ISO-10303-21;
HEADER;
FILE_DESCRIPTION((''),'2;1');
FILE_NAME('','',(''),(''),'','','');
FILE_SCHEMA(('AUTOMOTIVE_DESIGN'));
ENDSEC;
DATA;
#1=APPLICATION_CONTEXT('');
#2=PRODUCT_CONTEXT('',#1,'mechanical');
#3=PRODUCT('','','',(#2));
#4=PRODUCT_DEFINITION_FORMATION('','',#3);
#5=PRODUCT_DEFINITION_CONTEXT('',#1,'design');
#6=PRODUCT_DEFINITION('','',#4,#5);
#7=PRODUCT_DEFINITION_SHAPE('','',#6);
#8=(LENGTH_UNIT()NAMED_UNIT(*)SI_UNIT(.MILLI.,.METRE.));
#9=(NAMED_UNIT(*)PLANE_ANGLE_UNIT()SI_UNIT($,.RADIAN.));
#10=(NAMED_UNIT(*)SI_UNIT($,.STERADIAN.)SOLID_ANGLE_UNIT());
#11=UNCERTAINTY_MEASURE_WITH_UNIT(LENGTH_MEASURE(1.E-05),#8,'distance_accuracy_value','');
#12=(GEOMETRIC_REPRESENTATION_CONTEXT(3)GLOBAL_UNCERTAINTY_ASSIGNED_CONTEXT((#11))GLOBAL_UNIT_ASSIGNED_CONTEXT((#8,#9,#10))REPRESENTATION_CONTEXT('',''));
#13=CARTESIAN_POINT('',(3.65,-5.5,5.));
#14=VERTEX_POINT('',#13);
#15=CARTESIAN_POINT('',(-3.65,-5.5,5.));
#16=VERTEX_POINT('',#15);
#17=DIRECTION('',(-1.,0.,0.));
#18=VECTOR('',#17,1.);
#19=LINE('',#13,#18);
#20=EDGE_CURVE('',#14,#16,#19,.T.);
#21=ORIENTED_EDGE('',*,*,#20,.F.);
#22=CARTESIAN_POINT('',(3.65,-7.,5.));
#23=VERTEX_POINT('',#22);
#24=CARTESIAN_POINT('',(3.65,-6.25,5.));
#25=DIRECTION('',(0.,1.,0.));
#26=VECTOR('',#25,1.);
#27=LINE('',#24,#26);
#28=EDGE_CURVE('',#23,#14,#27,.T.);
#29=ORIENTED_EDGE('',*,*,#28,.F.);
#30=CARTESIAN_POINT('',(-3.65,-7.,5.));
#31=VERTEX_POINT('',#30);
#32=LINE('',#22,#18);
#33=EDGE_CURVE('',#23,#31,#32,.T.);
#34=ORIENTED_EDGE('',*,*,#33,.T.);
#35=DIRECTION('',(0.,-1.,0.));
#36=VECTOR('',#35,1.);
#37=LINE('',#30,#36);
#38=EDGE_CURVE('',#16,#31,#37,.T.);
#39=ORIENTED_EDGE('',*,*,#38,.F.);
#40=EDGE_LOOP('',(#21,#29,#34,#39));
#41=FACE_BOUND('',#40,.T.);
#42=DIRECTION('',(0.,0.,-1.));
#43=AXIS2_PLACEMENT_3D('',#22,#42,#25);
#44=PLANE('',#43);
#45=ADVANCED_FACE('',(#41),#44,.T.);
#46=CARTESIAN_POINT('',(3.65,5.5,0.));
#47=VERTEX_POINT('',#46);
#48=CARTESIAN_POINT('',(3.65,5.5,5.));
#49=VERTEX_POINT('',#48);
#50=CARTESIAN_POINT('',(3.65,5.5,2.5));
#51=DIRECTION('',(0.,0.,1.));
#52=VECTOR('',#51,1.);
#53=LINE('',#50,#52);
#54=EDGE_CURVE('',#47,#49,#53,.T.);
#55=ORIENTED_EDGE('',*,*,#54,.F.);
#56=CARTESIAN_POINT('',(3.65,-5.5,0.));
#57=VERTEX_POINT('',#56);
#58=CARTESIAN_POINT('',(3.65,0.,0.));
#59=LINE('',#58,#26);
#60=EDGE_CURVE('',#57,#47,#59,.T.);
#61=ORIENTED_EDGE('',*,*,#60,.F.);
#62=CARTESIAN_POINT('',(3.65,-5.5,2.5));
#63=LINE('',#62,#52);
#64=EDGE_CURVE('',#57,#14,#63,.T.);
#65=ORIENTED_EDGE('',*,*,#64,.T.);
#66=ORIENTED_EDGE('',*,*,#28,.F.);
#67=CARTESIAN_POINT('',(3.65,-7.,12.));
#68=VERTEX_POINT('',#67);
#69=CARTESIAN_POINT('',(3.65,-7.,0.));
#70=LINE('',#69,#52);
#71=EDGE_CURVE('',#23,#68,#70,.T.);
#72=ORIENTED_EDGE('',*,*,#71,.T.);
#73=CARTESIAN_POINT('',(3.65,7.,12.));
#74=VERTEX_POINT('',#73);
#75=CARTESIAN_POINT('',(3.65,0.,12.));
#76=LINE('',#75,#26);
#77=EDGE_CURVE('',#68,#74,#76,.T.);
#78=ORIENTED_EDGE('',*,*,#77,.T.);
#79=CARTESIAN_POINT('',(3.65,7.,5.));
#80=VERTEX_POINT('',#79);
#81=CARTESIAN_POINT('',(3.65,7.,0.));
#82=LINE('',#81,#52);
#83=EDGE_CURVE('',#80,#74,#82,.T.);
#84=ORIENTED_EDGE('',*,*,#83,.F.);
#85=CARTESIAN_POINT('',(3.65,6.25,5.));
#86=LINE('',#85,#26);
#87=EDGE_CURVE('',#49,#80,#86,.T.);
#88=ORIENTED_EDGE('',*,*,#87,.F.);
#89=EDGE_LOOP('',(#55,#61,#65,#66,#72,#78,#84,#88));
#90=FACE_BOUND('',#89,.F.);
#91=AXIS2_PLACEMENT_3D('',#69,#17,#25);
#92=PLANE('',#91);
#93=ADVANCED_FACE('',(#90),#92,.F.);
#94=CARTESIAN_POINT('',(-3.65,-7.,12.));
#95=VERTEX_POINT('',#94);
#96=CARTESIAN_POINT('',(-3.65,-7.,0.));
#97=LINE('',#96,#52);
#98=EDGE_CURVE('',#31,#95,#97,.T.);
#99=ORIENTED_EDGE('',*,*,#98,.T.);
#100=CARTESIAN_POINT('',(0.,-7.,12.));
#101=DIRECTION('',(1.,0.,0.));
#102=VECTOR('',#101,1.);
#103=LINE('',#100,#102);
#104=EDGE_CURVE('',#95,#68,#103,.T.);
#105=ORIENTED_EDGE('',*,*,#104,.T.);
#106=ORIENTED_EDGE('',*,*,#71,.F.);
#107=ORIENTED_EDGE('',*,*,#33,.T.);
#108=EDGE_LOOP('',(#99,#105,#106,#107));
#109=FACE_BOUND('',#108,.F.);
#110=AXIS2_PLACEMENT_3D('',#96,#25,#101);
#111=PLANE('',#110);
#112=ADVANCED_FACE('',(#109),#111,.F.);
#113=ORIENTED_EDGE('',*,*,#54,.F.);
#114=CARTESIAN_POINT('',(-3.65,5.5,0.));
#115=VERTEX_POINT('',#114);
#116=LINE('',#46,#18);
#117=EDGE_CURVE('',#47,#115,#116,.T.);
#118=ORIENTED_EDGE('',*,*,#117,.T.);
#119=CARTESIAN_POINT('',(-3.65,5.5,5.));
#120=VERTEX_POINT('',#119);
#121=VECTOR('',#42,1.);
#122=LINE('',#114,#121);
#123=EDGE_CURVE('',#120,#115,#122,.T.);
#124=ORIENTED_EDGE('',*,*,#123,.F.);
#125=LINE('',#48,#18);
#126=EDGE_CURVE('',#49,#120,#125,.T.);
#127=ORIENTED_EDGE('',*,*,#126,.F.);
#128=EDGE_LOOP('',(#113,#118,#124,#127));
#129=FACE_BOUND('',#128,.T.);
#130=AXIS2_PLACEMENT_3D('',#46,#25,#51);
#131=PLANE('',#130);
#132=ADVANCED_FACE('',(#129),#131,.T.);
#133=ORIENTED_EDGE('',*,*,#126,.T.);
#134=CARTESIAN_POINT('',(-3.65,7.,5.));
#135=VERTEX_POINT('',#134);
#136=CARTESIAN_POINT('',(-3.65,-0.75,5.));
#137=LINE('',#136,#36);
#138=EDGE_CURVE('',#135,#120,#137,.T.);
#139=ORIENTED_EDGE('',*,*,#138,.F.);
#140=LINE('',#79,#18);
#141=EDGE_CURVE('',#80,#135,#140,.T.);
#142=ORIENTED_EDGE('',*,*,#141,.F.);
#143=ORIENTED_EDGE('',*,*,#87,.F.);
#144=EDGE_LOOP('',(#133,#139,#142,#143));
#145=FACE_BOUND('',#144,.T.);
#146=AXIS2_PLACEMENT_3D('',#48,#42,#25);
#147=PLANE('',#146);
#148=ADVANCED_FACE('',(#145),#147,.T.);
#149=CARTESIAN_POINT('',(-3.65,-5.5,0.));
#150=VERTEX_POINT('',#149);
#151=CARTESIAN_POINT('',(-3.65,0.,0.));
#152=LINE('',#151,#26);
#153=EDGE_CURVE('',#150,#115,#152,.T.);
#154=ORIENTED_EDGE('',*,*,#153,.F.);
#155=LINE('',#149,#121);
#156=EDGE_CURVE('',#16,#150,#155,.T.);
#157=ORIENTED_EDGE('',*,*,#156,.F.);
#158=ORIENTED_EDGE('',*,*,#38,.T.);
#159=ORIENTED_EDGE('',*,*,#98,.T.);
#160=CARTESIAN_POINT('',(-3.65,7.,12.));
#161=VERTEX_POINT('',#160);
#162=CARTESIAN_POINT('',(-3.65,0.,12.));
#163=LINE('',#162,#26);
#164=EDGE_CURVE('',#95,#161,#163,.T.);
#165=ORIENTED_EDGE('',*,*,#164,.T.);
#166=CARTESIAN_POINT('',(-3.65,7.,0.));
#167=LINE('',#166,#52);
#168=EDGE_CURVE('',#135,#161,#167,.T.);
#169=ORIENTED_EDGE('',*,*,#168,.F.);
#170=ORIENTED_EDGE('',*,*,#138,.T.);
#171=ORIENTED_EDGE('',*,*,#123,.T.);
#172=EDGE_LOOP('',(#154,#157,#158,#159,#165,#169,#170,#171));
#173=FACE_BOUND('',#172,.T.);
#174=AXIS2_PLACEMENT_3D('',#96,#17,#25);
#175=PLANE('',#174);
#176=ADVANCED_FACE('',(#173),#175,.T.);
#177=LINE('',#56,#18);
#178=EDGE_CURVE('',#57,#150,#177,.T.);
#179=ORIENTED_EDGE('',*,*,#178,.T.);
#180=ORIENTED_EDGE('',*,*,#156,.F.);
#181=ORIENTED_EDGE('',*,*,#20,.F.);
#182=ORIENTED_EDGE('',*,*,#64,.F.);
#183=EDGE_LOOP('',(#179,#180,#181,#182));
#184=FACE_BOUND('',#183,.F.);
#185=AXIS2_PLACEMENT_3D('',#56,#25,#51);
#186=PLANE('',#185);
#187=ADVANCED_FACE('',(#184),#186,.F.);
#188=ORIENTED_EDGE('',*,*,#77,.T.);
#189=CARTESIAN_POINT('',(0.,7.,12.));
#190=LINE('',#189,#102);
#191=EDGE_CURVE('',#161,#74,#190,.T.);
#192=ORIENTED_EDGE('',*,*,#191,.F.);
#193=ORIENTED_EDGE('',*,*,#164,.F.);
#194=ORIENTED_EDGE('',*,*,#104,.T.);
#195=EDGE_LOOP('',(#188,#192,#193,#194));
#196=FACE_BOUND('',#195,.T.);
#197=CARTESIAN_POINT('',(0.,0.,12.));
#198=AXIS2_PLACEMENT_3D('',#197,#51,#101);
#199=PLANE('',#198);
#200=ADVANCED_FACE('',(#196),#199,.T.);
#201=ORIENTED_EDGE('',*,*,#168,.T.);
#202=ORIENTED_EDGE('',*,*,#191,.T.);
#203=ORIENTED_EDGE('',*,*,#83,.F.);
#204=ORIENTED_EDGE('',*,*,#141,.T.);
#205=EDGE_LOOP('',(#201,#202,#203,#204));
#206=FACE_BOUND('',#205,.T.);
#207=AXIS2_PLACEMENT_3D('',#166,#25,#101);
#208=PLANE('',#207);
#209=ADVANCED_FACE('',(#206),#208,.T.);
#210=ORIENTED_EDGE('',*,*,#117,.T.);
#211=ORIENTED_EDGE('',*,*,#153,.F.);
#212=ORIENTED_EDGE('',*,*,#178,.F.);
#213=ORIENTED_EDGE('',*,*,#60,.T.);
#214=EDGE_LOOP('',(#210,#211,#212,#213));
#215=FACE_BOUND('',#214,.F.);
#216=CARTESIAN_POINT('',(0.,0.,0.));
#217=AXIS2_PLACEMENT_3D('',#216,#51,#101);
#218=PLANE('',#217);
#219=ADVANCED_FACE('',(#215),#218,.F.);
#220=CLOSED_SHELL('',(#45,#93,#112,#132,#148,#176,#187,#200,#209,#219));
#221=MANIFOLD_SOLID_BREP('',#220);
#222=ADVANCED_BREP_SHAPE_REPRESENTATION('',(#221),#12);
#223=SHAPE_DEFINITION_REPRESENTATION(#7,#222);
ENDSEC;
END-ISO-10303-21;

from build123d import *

# Parameters (mm, degrees)
F0_W     = 7.3
F0_H     = 14
F1_DEPTH = 12
F2_W     = 1.5
F2_H     = 5
F3_DEPTH = 25


with BuildPart() as f1:
    # F0 (on Top) → F1 (new body)
    with BuildSketch(Plane.XY):
        Rectangle(F0_W, F0_H)
    extrude(amount=F1_DEPTH)

    # F2 (on face) → F3 (cut)
    with BuildSketch(Plane.YZ.offset(3.65)):
        with Locations((-6.25, 2.5)):
            Rectangle(F2_W, F2_H)
        with Locations((6.25, 2.5)):
            Rectangle(F2_W, F2_H)
    extrude(amount=-F3_DEPTH, mode=Mode.SUBTRACT)


solid = f1.part
